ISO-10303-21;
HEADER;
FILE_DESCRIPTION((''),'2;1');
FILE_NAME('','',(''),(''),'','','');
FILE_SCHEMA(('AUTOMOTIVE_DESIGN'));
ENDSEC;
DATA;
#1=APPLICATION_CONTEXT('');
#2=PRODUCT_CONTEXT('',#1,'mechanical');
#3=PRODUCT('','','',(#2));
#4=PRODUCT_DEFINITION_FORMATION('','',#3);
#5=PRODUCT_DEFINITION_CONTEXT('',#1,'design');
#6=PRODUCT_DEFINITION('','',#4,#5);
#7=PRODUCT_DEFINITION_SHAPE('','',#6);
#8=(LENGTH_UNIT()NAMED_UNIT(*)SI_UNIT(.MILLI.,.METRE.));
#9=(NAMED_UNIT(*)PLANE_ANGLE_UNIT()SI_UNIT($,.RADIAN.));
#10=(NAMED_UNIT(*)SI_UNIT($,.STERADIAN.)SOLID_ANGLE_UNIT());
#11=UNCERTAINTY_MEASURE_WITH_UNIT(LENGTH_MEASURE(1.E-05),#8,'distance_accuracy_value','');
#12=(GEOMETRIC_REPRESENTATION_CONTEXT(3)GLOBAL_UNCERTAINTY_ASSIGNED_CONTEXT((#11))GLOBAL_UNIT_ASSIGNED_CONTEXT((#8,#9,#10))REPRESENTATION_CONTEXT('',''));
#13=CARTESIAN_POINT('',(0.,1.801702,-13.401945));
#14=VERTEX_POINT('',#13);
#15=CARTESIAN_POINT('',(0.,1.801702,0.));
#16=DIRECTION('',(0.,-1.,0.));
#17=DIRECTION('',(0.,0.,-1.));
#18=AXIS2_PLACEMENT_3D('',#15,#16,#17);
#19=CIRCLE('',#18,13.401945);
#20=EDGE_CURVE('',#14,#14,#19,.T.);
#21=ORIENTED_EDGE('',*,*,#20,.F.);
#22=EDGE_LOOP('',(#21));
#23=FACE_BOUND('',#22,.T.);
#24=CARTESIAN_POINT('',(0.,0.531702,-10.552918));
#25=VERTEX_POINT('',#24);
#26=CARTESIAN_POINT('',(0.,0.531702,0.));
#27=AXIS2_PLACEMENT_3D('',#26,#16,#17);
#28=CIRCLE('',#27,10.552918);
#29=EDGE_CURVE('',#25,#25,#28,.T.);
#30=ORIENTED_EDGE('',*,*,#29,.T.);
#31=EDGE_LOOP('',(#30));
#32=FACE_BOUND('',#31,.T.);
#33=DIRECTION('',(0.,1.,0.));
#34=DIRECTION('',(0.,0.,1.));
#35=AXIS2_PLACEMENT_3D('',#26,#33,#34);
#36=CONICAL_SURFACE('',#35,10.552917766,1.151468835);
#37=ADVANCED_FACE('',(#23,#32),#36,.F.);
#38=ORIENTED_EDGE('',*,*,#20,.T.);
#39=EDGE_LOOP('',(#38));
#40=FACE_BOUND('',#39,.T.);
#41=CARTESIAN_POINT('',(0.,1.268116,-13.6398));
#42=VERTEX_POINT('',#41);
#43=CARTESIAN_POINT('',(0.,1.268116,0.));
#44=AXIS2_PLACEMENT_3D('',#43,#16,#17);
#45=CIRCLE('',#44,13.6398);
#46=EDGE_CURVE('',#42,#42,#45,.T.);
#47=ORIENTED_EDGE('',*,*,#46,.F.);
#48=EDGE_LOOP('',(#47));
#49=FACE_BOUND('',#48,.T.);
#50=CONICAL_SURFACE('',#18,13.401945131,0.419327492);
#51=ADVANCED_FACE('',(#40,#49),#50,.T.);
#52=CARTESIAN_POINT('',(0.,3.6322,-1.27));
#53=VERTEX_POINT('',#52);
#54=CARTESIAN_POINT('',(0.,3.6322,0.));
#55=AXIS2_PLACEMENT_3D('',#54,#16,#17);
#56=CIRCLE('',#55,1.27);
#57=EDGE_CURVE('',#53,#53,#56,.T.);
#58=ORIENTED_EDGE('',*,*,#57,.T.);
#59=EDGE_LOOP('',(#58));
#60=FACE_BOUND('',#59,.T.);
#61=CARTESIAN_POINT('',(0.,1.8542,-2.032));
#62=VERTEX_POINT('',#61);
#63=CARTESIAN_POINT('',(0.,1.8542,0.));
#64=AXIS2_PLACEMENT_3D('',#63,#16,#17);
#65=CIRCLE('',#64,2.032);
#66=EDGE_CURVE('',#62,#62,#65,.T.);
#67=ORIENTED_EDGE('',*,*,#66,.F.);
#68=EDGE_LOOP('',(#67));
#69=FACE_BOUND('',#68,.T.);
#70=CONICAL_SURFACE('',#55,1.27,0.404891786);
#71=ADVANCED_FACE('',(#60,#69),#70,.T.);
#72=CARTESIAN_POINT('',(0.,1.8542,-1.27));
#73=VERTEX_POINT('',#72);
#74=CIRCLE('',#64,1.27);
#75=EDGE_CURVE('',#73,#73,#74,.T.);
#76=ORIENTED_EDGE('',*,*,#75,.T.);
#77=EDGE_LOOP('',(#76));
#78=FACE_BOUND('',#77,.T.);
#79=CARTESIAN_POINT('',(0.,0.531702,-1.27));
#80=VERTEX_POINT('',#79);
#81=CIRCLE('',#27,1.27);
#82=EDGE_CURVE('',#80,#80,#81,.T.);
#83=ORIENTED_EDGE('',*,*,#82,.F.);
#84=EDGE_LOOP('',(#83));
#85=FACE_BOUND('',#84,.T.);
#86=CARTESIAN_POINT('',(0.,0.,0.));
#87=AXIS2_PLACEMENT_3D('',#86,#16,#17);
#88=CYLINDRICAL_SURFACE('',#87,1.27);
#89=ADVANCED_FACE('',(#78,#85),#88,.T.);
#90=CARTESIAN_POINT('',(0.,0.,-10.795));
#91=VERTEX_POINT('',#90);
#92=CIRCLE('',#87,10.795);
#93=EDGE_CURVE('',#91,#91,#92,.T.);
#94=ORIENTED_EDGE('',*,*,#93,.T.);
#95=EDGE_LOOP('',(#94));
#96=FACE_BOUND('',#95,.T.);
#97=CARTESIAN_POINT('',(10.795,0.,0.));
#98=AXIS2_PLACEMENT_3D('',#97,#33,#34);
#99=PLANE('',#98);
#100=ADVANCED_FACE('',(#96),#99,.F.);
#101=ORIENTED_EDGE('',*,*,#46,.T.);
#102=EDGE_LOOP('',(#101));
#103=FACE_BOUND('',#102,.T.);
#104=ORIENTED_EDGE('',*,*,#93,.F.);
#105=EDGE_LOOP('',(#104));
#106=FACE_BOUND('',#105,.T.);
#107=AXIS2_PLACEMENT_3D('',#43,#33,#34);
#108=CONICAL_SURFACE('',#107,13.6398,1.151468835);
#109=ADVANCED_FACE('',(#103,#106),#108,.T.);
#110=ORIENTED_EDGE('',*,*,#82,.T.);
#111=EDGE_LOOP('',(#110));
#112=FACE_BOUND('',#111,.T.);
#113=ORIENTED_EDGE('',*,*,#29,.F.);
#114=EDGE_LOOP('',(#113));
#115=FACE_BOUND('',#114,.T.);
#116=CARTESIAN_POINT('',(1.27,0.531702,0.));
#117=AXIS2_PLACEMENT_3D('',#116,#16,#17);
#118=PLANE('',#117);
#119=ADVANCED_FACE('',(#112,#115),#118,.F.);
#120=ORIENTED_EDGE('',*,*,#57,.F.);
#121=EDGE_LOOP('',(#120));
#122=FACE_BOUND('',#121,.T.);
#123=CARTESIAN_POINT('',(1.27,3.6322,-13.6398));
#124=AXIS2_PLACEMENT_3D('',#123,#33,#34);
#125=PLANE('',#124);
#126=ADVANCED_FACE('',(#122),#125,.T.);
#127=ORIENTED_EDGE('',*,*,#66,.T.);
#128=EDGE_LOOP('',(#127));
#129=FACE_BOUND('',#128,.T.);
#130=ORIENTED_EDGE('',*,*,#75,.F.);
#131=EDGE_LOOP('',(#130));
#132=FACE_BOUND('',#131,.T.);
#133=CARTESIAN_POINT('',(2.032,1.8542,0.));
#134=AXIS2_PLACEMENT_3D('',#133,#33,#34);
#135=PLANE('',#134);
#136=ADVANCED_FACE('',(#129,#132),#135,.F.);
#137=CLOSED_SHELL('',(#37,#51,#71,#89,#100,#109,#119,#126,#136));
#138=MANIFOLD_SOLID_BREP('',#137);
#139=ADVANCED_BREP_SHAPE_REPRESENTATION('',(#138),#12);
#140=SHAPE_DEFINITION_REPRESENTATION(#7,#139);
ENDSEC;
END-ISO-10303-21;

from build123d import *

# Parameters (mm, degrees)
CUT_EXTRUDE1_DEPTH      = 26.275067654
CUT_EXTRUDE1_DEPTH_BACK = 26.275067654
SKETCH3_W               = 2.54
SKETCH3_H               = 12.7


with BuildPart() as part:
    # Sketch2 → Base-Revolve (revolve)
    with BuildSketch(Plane.XY, mode=Mode.PRIVATE) as base_revolve_sk:
        Polygon((0, 0), (0, 16.3322), (1.27, 16.3322), (1.27, 3.6322), (2.032, 1.8542), (1.27, 1.8542), (1.27, 0.531702223), (10.552917766, 0.531702223), (13.401945131, 1.801702223), (13.6398, 1.268115584), (10.795, 0), align=None)
    revolve(base_revolve_sk.sketch.rotate(Axis((0, 0, 0), (0, 1, 0)), 90), axis=Axis((0, 0, 0), (0, 1, 0)))

    # Sketch3 → Cut-Extrude1 (cut, two sides: drawn at the far end of the back side and taken through both)
    with BuildSketch(Plane.XY.offset(-CUT_EXTRUDE1_DEPTH_BACK)):
        with Locations((0, 9.9822)):
            Rectangle(SKETCH3_W, SKETCH3_H)
    extrude(amount=CUT_EXTRUDE1_DEPTH + CUT_EXTRUDE1_DEPTH_BACK, mode=Mode.SUBTRACT)


solid = part.part
